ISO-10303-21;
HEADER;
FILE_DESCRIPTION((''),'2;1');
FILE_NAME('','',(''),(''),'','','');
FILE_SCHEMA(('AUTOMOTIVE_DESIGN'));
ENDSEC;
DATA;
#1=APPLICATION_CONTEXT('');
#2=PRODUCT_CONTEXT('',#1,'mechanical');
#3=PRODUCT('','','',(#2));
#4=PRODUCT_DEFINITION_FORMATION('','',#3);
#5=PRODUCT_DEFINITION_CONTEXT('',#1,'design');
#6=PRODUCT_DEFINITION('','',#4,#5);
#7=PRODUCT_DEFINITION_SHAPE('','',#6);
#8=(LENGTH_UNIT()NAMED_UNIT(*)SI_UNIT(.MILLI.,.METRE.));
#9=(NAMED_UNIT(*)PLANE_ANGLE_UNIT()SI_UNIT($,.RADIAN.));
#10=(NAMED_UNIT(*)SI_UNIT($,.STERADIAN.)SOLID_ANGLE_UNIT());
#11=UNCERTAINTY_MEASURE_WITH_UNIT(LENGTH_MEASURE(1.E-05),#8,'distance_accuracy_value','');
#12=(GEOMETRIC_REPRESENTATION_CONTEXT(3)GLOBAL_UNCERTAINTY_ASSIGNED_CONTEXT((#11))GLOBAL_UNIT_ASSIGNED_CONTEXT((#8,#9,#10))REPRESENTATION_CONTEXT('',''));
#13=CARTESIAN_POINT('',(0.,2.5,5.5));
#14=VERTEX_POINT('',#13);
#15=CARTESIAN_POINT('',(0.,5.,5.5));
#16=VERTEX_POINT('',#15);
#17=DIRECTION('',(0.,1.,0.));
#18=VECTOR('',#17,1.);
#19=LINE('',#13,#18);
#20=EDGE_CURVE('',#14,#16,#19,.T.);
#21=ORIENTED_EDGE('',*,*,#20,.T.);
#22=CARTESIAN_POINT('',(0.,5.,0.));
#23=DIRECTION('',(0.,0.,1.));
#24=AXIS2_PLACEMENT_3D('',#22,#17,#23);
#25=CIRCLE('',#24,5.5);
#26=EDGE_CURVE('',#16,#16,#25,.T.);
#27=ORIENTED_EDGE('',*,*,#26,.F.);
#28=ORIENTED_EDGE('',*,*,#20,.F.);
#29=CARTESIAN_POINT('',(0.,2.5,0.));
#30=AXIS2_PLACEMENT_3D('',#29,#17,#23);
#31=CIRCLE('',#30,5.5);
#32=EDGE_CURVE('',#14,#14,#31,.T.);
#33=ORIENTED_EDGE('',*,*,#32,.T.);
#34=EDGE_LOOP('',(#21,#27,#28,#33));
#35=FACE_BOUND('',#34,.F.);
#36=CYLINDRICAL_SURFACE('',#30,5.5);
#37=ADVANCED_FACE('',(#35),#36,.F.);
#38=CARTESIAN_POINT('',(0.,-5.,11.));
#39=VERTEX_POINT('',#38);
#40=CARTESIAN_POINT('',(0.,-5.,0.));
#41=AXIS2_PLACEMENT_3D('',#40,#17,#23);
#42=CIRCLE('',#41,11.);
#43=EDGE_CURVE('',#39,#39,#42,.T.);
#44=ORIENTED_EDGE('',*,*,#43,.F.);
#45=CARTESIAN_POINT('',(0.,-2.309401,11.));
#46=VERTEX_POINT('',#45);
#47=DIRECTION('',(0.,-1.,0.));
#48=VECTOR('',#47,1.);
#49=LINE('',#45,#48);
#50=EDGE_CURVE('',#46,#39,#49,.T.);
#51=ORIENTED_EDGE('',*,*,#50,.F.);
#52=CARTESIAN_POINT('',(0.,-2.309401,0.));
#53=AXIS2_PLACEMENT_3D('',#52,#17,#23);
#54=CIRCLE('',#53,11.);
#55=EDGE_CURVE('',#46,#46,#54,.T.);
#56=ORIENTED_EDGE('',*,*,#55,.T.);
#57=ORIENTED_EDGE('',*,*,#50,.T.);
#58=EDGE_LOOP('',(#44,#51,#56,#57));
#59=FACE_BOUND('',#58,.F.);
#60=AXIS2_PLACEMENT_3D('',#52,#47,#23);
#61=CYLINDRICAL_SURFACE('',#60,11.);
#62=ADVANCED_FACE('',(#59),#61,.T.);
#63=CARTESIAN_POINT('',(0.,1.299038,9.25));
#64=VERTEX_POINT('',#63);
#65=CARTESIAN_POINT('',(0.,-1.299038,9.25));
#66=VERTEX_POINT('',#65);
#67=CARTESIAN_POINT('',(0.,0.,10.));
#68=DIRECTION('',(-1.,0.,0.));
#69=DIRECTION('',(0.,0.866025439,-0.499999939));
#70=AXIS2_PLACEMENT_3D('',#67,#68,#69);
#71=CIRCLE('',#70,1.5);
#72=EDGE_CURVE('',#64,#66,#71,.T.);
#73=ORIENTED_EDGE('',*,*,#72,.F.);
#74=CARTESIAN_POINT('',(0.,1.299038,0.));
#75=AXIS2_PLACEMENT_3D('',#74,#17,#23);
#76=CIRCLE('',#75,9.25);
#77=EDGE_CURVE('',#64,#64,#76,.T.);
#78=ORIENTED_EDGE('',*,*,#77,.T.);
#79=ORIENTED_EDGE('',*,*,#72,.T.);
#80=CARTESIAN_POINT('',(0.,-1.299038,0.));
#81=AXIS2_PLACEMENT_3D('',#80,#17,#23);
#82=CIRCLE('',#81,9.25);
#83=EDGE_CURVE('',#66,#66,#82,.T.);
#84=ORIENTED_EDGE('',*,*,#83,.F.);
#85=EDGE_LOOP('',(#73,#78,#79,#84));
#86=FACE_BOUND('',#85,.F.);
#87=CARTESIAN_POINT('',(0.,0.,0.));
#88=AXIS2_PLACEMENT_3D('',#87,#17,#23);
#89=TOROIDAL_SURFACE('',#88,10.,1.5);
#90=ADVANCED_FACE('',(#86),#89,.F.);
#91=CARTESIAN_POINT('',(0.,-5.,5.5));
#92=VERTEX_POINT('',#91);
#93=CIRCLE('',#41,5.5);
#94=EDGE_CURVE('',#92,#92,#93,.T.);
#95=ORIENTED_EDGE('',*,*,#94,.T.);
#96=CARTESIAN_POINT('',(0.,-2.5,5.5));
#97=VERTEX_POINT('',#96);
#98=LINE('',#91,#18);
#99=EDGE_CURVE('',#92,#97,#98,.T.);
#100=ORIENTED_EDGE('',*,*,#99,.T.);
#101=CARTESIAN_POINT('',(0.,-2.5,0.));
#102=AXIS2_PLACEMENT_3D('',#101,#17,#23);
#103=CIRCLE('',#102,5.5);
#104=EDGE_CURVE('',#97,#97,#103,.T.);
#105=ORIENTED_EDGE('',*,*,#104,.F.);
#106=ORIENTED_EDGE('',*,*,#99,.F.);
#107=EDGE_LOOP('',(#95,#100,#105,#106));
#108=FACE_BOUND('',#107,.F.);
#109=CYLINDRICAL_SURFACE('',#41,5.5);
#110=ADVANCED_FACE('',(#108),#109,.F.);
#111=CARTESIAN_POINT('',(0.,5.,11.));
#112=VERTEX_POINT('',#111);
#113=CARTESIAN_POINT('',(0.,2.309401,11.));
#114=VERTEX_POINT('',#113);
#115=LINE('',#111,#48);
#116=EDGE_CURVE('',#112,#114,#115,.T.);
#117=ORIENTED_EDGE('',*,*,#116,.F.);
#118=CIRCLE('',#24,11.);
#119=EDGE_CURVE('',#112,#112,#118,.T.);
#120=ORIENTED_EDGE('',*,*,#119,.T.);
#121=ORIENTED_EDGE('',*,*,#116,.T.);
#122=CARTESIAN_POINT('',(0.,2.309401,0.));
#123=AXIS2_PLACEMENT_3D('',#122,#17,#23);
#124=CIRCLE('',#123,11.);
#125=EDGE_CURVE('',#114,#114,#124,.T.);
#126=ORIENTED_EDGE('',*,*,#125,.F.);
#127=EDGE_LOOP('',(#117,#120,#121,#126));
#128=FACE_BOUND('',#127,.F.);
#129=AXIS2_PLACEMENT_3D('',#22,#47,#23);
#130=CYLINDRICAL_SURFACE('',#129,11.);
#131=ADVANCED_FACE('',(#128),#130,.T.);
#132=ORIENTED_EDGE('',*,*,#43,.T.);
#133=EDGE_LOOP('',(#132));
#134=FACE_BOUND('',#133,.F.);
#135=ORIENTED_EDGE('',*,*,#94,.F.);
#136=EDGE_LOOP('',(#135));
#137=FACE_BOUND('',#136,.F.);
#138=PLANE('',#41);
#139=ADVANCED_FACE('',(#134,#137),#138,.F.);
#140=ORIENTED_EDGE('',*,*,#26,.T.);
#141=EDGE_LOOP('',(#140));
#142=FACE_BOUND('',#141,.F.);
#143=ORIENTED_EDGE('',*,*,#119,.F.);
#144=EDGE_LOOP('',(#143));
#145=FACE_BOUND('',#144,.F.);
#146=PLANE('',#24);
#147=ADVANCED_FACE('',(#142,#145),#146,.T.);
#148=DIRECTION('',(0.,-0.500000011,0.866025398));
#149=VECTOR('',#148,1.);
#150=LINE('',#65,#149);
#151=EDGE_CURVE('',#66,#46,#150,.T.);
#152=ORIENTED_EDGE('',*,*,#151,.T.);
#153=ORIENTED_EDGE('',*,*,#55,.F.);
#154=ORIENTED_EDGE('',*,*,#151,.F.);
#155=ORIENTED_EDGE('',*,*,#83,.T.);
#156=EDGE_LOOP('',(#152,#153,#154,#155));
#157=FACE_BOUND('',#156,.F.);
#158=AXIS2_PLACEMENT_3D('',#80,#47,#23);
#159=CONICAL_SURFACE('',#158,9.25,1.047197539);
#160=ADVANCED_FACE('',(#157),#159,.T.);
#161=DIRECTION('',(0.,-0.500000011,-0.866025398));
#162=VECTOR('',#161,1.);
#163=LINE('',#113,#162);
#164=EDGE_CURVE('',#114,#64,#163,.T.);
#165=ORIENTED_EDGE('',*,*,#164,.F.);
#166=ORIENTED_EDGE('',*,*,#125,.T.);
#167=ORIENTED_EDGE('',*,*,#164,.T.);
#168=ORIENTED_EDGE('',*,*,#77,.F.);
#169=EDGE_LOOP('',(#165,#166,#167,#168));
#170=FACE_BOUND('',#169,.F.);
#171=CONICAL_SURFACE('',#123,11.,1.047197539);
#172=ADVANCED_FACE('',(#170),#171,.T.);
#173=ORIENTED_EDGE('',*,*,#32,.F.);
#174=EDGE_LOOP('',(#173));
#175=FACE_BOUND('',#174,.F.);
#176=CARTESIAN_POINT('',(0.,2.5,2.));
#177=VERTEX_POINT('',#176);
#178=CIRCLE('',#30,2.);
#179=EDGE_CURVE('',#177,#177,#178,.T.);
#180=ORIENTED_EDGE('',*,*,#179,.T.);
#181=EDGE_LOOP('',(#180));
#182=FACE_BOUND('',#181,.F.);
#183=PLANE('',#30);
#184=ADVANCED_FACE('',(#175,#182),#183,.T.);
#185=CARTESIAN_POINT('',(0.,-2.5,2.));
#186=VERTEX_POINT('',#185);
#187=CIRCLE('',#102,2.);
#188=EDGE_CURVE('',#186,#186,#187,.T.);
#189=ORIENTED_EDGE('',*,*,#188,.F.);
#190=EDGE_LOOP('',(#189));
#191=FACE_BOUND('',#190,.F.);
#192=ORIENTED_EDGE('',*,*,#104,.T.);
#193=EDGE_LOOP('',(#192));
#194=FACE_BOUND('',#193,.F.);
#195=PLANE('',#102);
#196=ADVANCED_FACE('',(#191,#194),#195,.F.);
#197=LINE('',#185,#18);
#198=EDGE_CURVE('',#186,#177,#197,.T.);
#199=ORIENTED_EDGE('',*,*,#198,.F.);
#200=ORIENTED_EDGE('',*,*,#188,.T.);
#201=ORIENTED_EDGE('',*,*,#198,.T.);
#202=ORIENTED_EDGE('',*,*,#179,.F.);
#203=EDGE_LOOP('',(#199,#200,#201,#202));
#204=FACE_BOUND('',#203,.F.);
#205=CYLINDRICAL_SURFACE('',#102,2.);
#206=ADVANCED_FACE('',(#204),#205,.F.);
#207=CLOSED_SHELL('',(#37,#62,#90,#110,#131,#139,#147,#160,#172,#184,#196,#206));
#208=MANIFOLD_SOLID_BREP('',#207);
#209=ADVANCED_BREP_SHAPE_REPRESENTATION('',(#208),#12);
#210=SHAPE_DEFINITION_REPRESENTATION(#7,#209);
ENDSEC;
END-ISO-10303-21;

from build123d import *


with BuildPart() as f1:
    # F0 (on Right) → F1 (revolve)
    with BuildSketch(Plane.YZ):
        with BuildLine():
            Line((-2.5, 5.5), (-2.5, 2))
            Line((-2.5, 2), (2.5, 2))
            Line((2.5, 2), (2.5, 5.5))
            Line((2.5, 5.5), (5, 5.5))
            Line((5, 5.5), (5, 11))
            Line((5, 11), (2.309401, 11))
            Line((2.309401, 11), (1.299038, 9.25))
            ThreePointArc((1.299038, 9.25), (0, 8.5), (-1.299038, 9.25))
            Line((-1.299038, 9.25), (-2.309401, 11))
            Line((-2.309401, 11), (-5, 11))
            Line((-5, 11), (-5, 5.5))
            Line((-5, 5.5), (-2.5, 5.5))
        make_face()
    revolve(axis=Axis((0, 4.750687, 0), (0, 1, 0)))


solid = f1.part
